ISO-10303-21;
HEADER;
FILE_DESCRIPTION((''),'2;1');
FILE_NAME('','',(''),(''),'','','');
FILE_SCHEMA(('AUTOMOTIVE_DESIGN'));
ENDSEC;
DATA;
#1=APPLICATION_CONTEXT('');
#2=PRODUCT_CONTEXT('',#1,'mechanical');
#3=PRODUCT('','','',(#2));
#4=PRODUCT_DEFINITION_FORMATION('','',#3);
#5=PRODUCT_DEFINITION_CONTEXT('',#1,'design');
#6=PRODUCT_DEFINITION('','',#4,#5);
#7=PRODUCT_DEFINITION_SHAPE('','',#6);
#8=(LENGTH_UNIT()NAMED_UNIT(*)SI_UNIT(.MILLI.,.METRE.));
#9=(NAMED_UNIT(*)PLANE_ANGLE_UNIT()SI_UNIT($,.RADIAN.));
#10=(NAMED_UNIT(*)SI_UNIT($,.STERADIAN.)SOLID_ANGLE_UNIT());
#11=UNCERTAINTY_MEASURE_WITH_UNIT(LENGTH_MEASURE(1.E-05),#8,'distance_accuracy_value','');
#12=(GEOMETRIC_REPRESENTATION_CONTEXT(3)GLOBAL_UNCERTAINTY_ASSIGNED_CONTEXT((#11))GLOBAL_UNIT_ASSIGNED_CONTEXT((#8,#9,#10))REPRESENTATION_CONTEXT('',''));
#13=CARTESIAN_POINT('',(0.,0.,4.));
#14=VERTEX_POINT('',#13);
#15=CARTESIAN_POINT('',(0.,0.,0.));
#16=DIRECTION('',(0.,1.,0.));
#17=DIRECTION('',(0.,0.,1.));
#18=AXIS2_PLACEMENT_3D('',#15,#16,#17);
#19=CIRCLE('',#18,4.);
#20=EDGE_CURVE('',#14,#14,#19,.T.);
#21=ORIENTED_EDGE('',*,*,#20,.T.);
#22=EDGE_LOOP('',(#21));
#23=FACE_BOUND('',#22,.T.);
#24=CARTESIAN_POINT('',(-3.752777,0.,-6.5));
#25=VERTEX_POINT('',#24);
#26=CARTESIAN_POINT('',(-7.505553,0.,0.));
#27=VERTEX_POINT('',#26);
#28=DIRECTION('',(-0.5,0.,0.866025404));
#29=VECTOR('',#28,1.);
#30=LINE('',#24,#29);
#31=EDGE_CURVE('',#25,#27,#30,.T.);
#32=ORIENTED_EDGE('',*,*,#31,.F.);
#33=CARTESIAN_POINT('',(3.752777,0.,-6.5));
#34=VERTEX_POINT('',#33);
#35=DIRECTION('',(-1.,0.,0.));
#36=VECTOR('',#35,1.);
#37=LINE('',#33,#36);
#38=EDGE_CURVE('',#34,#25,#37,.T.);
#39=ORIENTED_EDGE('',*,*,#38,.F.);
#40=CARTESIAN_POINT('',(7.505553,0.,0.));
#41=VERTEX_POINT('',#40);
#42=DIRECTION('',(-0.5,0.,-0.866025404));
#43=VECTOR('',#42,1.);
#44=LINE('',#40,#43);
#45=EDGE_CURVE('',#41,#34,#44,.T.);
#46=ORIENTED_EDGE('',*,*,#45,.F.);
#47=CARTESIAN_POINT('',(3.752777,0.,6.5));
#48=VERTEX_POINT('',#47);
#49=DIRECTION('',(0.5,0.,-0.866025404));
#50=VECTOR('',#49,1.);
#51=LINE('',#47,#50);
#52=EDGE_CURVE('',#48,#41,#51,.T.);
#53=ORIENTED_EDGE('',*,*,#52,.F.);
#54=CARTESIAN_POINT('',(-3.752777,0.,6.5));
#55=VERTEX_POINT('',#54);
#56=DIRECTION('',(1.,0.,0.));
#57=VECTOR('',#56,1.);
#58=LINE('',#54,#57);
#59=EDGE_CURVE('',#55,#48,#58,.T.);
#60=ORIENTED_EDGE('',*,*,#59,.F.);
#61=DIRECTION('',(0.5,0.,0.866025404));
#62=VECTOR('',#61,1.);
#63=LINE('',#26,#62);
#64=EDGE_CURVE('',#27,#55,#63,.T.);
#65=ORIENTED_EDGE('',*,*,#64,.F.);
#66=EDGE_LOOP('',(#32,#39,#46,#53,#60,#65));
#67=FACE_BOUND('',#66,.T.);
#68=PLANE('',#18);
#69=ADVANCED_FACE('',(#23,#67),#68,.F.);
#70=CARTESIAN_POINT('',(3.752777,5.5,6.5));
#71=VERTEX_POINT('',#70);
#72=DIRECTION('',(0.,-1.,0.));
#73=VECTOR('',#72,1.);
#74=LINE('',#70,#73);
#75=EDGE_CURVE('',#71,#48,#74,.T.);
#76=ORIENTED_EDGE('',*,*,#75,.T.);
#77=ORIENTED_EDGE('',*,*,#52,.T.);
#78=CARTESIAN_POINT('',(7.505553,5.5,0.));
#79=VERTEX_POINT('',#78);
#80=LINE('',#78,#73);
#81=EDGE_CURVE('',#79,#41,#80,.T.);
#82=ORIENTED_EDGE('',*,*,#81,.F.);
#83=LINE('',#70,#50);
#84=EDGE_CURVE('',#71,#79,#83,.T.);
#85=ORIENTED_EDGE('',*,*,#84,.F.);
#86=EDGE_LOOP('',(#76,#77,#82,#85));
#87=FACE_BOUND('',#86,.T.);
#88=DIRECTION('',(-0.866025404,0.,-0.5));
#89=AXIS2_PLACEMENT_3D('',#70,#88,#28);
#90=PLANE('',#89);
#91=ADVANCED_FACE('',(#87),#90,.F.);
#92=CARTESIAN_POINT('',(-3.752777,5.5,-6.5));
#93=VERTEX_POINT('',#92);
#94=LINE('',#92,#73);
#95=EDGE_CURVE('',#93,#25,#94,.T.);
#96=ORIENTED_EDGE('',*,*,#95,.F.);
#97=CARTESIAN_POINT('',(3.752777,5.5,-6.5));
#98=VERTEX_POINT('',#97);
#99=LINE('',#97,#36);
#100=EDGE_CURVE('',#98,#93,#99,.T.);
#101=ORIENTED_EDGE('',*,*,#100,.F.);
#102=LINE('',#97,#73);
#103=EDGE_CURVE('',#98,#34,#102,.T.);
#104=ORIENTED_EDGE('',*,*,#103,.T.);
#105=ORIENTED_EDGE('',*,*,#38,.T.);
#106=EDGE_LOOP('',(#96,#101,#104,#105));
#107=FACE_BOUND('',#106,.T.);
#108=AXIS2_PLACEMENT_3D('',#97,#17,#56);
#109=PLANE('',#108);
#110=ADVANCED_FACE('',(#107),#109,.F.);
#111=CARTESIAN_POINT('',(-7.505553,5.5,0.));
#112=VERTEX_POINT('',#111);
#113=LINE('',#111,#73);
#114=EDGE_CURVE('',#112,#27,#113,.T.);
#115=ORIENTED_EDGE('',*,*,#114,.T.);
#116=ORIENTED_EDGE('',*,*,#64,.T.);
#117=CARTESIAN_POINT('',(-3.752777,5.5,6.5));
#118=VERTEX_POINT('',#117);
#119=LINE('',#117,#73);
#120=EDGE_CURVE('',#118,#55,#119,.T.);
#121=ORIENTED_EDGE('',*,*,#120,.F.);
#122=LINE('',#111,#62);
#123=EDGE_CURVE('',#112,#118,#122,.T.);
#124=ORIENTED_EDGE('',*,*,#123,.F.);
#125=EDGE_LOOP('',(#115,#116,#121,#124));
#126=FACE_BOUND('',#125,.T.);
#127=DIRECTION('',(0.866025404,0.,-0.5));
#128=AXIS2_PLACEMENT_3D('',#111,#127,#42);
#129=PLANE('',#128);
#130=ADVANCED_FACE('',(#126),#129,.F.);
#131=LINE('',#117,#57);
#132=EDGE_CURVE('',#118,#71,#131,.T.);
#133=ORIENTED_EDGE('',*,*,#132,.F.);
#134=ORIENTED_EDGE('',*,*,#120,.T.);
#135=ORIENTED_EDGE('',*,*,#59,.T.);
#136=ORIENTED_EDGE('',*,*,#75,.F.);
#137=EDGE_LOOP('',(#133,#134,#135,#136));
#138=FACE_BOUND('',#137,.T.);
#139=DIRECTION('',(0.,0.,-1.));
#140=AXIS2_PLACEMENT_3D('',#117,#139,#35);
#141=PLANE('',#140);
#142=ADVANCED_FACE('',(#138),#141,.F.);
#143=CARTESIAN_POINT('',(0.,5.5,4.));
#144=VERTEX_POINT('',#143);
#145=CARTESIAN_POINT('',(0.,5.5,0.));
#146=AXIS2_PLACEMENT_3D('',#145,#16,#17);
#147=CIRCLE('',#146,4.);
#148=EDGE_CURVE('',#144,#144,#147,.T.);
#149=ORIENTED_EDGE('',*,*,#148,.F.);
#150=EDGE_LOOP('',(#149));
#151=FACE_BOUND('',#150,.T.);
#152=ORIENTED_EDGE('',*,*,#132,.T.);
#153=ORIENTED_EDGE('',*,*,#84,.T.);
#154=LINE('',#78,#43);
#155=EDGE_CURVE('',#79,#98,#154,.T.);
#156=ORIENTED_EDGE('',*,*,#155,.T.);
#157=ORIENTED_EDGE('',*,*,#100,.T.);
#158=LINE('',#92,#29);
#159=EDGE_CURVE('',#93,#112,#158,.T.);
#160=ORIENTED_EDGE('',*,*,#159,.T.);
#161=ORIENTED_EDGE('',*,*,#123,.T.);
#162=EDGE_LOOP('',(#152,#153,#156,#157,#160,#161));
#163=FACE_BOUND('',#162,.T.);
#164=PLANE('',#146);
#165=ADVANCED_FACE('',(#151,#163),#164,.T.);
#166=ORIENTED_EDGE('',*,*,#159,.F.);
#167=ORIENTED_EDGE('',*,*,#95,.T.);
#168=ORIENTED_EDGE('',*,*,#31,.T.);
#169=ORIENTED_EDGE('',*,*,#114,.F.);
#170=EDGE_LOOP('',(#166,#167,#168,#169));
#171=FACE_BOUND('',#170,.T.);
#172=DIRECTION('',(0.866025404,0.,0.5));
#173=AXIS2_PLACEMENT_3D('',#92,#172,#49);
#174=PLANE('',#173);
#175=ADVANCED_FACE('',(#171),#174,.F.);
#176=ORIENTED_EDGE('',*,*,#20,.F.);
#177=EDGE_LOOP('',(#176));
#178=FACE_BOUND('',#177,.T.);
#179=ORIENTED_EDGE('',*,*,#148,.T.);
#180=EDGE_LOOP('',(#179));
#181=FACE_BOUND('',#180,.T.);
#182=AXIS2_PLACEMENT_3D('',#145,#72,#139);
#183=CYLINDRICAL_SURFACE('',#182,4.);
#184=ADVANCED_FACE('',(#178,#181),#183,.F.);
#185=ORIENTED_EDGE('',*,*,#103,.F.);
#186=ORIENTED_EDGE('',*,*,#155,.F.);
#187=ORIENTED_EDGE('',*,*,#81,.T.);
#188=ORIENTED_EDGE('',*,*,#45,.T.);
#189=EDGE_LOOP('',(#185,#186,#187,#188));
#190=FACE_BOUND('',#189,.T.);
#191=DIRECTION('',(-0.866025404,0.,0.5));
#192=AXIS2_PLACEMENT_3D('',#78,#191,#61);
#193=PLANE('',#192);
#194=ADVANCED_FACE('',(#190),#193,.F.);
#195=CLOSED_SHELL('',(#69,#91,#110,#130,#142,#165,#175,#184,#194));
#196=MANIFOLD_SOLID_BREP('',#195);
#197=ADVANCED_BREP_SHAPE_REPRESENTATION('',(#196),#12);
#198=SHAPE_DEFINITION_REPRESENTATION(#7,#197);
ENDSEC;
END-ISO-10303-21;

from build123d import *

# Parameters (mm, degrees)
SKETCH1_R           = 4
BOSS_EXTRUDE1_DEPTH = 5.5


with BuildPart() as part:
    # Sketch1 → Boss-Extrude1 (new body)
    with BuildSketch(Plane(origin=(0, 0, 0), x_dir=(1, 0, 0), z_dir=(0, 1, 0))):
        Polygon((-3.75277675, 6.5), (-7.505553499, 0), (-3.75277675, -6.5), (3.75277675, -6.5), (7.505553499, 0), (3.75277675, 6.5), align=None)
        Circle(SKETCH1_R, mode=Mode.SUBTRACT)
    extrude(amount=BOSS_EXTRUDE1_DEPTH)


solid = part.part
